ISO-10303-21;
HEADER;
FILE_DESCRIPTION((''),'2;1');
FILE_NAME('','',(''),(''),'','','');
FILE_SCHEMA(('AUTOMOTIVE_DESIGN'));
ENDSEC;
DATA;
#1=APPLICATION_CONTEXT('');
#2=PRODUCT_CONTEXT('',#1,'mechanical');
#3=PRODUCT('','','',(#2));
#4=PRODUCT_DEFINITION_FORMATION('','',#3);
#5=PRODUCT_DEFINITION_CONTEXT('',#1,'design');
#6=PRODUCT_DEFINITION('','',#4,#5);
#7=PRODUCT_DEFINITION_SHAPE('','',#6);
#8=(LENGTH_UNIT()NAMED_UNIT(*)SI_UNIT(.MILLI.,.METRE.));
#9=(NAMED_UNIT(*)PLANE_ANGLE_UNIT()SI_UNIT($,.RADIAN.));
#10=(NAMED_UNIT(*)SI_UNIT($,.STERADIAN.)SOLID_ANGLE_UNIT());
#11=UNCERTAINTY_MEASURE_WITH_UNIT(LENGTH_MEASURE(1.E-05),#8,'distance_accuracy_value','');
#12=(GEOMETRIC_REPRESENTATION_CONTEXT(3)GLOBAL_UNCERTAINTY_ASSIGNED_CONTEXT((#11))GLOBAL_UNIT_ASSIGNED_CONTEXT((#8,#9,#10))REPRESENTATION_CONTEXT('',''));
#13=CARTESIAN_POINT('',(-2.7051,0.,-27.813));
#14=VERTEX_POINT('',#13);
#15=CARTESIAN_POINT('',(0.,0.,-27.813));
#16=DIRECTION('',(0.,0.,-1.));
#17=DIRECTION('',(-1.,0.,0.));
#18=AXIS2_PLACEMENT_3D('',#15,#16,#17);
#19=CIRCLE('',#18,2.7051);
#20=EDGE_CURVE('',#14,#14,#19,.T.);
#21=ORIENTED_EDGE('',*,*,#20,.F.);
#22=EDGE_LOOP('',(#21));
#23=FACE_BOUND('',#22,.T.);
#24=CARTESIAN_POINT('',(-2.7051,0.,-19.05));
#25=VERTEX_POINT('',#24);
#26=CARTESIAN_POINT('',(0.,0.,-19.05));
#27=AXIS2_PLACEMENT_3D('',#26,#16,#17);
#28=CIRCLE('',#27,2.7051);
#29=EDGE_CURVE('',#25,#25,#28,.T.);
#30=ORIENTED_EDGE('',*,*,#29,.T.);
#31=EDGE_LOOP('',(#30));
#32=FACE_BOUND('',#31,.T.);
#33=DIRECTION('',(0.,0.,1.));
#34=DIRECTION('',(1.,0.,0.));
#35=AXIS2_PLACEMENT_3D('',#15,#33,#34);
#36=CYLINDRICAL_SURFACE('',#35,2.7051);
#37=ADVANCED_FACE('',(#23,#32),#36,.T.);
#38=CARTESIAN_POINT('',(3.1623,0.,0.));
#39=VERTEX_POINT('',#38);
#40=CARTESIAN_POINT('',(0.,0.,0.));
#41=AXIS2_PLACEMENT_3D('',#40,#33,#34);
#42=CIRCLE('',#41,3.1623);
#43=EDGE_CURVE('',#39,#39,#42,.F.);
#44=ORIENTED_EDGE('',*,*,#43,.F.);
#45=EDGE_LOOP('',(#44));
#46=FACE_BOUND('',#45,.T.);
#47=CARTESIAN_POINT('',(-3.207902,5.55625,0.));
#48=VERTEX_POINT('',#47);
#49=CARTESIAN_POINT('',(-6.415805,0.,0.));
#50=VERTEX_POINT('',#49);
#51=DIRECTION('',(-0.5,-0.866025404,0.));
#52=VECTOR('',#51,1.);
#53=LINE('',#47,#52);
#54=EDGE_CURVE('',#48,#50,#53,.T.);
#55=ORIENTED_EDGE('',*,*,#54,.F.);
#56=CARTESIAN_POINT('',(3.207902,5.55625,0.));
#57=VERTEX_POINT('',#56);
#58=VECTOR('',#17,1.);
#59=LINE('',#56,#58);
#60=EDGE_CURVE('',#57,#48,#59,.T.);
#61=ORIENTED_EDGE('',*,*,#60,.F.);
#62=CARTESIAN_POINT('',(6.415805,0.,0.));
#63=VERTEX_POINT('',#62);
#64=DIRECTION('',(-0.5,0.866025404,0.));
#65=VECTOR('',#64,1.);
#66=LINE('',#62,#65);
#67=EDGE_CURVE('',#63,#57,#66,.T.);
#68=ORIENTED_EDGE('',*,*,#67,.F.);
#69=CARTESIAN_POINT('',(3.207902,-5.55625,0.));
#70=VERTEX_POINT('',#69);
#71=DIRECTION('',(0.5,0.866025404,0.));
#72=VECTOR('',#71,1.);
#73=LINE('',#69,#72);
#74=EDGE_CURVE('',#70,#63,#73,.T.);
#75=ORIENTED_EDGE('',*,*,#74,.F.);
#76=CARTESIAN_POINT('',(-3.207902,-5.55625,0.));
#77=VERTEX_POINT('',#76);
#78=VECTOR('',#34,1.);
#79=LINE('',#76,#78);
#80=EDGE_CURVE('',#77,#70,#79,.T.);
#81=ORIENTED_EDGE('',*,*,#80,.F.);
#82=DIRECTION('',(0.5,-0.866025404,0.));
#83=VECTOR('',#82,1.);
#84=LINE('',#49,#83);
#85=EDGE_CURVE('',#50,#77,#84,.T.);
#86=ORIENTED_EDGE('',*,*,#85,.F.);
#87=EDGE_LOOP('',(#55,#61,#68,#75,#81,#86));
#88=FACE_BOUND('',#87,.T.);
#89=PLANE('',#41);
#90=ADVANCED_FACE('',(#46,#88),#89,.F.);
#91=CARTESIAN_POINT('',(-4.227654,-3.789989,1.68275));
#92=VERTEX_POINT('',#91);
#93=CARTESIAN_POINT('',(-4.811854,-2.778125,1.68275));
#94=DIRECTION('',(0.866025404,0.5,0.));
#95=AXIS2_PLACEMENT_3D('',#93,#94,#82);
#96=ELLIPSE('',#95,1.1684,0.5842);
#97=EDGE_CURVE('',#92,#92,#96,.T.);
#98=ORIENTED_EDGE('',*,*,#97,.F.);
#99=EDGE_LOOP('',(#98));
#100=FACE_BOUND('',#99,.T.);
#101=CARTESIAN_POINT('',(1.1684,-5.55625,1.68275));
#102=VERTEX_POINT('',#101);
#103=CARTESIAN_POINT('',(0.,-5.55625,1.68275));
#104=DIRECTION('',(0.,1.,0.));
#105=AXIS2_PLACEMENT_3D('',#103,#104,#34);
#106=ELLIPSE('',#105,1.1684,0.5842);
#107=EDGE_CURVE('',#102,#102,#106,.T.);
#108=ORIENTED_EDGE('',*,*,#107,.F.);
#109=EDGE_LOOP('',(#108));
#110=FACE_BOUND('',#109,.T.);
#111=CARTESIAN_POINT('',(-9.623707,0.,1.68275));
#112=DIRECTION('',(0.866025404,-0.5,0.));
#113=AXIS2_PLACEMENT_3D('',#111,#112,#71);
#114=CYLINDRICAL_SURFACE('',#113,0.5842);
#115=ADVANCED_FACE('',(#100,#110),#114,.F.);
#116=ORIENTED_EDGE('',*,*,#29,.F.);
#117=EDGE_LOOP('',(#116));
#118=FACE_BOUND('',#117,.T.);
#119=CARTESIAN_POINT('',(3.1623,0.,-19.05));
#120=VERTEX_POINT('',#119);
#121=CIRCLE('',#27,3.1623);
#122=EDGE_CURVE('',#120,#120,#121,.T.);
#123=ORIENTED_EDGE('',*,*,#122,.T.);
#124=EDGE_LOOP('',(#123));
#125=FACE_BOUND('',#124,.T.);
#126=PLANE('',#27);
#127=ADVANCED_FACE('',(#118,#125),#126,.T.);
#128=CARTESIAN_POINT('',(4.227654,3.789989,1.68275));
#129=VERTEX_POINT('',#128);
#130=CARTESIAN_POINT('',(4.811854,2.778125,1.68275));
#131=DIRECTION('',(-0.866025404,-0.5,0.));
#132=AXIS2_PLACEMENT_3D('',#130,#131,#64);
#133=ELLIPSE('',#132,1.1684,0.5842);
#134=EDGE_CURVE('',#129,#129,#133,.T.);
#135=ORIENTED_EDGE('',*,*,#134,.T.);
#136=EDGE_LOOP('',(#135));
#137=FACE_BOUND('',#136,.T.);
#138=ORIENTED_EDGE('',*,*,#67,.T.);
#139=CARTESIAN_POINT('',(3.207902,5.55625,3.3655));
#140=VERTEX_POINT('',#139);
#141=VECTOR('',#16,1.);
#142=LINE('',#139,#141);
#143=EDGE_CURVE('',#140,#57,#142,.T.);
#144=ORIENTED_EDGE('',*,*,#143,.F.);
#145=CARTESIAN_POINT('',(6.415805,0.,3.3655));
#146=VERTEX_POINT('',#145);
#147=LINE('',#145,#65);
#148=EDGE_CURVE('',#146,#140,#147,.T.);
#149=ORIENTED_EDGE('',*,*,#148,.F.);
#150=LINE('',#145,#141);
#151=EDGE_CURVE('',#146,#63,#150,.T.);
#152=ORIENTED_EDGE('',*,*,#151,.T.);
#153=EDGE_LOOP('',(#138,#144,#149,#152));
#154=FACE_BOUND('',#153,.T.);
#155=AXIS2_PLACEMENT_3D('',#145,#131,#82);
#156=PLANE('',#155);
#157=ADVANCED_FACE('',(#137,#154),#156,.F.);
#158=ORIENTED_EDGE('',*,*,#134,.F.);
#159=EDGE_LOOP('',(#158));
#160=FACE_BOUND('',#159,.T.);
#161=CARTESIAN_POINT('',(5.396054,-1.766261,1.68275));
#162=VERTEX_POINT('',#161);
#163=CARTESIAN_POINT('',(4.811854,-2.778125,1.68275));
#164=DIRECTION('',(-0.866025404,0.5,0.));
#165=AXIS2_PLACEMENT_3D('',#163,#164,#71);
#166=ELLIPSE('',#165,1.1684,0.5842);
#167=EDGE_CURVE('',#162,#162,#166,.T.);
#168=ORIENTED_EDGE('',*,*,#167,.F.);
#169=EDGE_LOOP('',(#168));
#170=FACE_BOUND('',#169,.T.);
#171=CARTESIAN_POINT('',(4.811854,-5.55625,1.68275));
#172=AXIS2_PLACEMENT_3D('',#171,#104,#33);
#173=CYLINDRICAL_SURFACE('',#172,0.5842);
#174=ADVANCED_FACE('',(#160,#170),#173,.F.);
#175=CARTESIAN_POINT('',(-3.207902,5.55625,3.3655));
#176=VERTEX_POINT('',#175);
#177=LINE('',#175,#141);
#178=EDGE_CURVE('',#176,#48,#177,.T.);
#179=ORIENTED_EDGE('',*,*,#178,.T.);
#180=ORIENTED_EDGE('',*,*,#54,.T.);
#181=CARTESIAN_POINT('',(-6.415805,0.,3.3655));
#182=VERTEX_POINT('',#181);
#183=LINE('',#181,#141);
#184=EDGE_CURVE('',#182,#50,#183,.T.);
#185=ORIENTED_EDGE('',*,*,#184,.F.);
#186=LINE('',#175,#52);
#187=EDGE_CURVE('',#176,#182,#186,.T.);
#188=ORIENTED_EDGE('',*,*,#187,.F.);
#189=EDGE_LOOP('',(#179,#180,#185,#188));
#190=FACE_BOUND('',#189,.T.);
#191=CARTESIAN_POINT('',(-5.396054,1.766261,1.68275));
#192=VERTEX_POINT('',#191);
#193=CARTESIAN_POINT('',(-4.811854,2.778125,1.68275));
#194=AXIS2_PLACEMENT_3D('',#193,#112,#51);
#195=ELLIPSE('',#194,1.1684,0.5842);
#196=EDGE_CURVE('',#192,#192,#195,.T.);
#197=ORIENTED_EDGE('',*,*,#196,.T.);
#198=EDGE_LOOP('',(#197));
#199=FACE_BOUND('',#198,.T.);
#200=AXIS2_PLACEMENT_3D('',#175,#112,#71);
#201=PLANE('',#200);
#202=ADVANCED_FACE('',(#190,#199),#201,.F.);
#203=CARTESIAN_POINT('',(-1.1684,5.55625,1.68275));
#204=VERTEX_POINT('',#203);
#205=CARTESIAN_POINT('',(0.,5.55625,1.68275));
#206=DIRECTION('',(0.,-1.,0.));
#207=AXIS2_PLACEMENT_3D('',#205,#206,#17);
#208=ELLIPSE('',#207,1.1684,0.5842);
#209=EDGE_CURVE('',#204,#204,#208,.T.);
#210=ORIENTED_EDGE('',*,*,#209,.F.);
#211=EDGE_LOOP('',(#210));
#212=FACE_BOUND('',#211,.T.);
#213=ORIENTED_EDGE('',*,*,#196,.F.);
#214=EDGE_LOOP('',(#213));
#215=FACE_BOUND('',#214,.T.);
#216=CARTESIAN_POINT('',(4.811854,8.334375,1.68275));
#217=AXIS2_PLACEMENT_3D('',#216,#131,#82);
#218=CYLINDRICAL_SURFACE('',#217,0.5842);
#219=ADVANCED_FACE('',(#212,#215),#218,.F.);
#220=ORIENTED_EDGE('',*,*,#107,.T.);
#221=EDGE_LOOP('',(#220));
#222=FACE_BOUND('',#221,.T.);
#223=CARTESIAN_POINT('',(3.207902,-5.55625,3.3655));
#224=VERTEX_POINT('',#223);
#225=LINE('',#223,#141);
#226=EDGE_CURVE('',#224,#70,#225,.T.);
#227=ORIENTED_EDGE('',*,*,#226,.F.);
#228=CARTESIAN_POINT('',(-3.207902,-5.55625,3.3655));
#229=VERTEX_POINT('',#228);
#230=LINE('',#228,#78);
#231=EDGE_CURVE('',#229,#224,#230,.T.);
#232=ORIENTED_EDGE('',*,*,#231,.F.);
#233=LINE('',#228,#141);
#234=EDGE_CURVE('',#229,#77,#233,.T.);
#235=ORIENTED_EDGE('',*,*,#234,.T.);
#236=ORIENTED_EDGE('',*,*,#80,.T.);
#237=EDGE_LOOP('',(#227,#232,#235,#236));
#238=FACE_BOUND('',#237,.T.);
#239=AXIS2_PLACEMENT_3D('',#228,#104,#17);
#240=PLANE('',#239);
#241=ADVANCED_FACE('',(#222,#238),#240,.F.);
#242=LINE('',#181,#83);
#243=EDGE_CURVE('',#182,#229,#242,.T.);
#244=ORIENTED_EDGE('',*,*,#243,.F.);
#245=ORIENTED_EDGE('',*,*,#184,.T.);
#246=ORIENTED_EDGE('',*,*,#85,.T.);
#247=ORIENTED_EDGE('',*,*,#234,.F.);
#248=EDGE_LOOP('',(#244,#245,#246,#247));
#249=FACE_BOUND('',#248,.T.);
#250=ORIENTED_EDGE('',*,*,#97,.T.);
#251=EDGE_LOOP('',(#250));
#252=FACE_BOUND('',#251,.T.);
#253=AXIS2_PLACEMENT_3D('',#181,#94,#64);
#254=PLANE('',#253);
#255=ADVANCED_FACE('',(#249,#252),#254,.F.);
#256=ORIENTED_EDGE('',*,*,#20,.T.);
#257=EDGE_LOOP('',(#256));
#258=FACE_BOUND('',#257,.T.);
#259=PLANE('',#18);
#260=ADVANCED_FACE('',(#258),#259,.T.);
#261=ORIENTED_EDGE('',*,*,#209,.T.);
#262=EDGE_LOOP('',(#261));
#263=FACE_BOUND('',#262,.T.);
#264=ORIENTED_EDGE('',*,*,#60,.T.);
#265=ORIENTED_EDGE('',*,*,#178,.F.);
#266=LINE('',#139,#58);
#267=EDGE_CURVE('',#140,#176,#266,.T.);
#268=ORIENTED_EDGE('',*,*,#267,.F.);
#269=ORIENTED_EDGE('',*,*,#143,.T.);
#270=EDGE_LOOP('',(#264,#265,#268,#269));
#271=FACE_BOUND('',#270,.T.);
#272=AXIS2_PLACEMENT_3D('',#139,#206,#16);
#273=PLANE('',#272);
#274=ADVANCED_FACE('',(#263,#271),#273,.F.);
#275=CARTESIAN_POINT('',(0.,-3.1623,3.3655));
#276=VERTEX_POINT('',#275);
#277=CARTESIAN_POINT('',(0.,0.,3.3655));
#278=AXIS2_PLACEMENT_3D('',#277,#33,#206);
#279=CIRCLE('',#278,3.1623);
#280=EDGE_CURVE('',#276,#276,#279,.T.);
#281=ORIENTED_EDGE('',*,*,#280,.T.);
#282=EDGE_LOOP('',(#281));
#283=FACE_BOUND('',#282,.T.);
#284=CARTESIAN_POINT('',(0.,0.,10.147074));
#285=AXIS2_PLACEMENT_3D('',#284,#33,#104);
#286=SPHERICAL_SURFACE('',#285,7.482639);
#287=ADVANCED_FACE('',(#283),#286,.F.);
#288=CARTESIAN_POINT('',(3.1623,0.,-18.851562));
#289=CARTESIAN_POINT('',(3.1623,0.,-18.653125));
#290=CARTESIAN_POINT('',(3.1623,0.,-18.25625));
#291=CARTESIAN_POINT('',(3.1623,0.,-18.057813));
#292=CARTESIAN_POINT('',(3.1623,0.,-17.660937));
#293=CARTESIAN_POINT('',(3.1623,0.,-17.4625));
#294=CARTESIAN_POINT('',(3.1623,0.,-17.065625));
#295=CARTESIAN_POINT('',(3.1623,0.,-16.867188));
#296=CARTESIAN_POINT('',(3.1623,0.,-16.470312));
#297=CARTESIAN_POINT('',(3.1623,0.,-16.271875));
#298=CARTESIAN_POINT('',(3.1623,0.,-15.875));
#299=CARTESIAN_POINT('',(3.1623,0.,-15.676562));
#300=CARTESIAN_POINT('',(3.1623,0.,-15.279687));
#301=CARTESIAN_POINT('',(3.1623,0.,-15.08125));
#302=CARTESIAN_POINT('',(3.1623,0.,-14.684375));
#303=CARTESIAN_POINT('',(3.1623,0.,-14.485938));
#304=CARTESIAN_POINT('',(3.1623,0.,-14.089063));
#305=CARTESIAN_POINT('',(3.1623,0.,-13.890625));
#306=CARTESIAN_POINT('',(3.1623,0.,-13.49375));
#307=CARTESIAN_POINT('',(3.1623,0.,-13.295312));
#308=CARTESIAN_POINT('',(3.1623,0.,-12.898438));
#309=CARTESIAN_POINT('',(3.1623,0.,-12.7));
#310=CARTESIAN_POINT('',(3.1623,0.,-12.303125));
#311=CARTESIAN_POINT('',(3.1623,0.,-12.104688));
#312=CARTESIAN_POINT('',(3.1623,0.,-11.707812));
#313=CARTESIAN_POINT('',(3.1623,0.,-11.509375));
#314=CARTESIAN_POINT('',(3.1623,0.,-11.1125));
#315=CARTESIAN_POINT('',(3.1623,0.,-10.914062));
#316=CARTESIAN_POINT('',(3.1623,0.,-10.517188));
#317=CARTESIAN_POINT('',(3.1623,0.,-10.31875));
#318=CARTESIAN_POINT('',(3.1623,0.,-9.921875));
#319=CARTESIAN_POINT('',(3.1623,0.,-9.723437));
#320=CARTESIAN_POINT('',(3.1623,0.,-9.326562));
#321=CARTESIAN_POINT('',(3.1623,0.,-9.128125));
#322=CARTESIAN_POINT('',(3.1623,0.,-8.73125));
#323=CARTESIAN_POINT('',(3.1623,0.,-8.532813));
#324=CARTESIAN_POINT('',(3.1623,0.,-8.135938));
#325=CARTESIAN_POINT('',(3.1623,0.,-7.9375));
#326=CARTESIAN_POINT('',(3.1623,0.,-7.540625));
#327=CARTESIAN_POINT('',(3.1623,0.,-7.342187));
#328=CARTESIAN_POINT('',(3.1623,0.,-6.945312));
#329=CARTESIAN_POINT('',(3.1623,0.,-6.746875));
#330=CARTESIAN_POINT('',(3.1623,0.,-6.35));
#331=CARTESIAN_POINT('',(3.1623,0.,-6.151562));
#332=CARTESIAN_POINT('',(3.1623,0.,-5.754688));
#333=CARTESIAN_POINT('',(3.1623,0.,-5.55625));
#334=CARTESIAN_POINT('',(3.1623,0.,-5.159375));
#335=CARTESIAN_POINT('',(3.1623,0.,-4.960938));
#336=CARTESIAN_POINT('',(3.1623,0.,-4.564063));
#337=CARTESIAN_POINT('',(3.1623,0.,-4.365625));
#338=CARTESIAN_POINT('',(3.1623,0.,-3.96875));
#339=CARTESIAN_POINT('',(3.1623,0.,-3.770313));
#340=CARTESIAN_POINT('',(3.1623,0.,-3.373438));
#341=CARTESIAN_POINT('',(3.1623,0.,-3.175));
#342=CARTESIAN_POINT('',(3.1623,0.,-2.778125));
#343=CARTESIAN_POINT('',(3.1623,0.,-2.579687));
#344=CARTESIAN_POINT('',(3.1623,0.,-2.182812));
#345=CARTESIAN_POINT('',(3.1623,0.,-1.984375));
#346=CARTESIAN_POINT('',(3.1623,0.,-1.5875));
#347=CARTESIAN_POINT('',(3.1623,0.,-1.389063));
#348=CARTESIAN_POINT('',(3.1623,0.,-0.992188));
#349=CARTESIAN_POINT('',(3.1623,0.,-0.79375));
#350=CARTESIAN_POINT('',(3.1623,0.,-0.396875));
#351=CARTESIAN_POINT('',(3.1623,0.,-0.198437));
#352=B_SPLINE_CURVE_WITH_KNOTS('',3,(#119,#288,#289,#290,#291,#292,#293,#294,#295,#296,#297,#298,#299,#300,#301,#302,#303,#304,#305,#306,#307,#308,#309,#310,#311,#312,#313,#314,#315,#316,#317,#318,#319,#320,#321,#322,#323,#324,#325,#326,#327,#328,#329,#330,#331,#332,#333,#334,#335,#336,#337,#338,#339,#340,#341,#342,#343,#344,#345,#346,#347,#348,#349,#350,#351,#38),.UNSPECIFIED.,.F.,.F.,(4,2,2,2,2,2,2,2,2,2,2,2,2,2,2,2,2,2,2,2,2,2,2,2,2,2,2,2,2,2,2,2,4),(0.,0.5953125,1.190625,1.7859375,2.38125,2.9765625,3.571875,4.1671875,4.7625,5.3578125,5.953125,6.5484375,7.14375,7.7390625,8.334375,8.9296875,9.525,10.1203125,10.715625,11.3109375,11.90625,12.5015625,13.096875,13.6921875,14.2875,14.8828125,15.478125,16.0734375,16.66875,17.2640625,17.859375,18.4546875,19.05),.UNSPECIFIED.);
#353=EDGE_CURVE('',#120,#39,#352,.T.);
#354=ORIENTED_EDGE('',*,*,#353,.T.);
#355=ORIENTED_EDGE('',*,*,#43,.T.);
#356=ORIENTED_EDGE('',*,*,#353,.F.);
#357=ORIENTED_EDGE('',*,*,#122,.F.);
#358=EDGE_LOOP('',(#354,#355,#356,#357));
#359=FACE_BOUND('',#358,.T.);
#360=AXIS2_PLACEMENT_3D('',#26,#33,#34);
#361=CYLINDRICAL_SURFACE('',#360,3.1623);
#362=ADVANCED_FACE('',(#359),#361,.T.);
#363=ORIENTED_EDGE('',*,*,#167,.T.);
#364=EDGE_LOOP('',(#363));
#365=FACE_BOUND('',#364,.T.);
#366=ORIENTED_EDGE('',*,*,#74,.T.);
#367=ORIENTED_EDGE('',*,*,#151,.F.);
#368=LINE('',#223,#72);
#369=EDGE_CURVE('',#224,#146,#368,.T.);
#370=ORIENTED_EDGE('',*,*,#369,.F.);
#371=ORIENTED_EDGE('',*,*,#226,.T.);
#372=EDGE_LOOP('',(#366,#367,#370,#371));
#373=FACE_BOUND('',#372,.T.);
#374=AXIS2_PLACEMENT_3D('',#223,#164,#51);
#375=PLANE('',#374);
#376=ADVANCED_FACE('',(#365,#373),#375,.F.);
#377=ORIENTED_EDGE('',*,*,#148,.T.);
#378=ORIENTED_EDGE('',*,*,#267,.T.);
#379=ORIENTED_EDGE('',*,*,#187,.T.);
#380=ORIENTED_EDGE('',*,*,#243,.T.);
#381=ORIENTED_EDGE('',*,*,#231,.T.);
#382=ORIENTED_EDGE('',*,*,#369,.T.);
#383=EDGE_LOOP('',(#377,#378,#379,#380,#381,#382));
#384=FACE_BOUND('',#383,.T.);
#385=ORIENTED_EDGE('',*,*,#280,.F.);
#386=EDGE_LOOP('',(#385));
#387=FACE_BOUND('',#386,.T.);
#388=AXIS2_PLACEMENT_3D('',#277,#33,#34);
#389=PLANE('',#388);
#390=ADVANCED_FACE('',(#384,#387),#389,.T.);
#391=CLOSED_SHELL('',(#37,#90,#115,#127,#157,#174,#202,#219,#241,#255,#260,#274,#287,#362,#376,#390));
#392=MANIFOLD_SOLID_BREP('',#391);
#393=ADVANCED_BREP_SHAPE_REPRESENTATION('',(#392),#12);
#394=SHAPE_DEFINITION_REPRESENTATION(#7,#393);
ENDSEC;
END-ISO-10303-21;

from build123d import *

# Parameters (mm, degrees)
BOSS_EXTRUDE1_DEPTH = 3.3655
SKETCH2_R           = 3.1623
BOSS_EXTRUDE2_DEPTH = 19.05
SKETCH3_R           = 2.7051
BOSS_EXTRUDE3_DEPTH = 8.763
SKETCH5_R           = 0.5842
CUT_EXTRUDE1_DEPTH  = 30.079158089
CIRPATTERN1_COUNT   = 3


with BuildPart() as part:
    # Sketch1 → Boss-Extrude1 (new body)
    with BuildSketch(Plane.XY):
        Polygon((3.207902433, 5.55625), (-3.207902433, 5.55625), (-6.415804866, 0), (-3.207902433, -5.55625), (3.207902433, -5.55625), (6.415804866, 0), align=None)
    extrude(amount=BOSS_EXTRUDE1_DEPTH)

    # Sketch2 → Boss-Extrude2 (add)
    with BuildSketch(Plane(origin=(0, 0, 0), x_dir=(-1, 0, 0), z_dir=(0, 0, -1))):
        Circle(SKETCH2_R)
    extrude(amount=BOSS_EXTRUDE2_DEPTH)

    # Sketch3 → Boss-Extrude3 (add)
    with BuildSketch(Plane(origin=(0, 0, -19.05), x_dir=(-1, 0, 0), z_dir=(0, 0, -1))):
        Circle(SKETCH3_R)
    extrude(amount=BOSS_EXTRUDE3_DEPTH)

    # Sketch4 → Cut-Revolve1 (revolve, cut)
    with BuildSketch(Plane(origin=(0, 0, 0), x_dir=(0, 0, -1), z_dir=(1, 0, 0))):
        with BuildLine():
            Line((-3.3655, 0), (-3.3655, 3.1623))
            ThreePointArc((-3.3655, 3.1623), (-2.841803396, 1.619539554), (-2.664434968, 0))
            Line((-2.664434968, 0), (-3.3655, 0))
        make_face()
    revolve(axis=Axis((0, 0, 3.3655), (0, 0, -1)), mode=Mode.SUBTRACT)

    # Sketch5 → Cut-Extrude1 (cut, symmetric)
    with BuildSketch(Plane(origin=(0, 0, 0), x_dir=(1, 0, 0), z_dir=(0, 1, 0))):
        with Locations((4.81185365, -1.68275)):
            Circle(SKETCH5_R)
    cut_extrude1 = extrude(amount=CUT_EXTRUDE1_DEPTH, both=True, mode=Mode.SUBTRACT)

    # CirPattern1: Cut-Extrude1 ×3 about axis
    cirpattern1_axis = Axis((0, 0, -29.371925), (0, 0, 1))
    for i in range(1, CIRPATTERN1_COUNT):
        add(cut_extrude1.rotate(cirpattern1_axis, i * 360 / CIRPATTERN1_COUNT), mode=Mode.SUBTRACT)


solid = part.part
